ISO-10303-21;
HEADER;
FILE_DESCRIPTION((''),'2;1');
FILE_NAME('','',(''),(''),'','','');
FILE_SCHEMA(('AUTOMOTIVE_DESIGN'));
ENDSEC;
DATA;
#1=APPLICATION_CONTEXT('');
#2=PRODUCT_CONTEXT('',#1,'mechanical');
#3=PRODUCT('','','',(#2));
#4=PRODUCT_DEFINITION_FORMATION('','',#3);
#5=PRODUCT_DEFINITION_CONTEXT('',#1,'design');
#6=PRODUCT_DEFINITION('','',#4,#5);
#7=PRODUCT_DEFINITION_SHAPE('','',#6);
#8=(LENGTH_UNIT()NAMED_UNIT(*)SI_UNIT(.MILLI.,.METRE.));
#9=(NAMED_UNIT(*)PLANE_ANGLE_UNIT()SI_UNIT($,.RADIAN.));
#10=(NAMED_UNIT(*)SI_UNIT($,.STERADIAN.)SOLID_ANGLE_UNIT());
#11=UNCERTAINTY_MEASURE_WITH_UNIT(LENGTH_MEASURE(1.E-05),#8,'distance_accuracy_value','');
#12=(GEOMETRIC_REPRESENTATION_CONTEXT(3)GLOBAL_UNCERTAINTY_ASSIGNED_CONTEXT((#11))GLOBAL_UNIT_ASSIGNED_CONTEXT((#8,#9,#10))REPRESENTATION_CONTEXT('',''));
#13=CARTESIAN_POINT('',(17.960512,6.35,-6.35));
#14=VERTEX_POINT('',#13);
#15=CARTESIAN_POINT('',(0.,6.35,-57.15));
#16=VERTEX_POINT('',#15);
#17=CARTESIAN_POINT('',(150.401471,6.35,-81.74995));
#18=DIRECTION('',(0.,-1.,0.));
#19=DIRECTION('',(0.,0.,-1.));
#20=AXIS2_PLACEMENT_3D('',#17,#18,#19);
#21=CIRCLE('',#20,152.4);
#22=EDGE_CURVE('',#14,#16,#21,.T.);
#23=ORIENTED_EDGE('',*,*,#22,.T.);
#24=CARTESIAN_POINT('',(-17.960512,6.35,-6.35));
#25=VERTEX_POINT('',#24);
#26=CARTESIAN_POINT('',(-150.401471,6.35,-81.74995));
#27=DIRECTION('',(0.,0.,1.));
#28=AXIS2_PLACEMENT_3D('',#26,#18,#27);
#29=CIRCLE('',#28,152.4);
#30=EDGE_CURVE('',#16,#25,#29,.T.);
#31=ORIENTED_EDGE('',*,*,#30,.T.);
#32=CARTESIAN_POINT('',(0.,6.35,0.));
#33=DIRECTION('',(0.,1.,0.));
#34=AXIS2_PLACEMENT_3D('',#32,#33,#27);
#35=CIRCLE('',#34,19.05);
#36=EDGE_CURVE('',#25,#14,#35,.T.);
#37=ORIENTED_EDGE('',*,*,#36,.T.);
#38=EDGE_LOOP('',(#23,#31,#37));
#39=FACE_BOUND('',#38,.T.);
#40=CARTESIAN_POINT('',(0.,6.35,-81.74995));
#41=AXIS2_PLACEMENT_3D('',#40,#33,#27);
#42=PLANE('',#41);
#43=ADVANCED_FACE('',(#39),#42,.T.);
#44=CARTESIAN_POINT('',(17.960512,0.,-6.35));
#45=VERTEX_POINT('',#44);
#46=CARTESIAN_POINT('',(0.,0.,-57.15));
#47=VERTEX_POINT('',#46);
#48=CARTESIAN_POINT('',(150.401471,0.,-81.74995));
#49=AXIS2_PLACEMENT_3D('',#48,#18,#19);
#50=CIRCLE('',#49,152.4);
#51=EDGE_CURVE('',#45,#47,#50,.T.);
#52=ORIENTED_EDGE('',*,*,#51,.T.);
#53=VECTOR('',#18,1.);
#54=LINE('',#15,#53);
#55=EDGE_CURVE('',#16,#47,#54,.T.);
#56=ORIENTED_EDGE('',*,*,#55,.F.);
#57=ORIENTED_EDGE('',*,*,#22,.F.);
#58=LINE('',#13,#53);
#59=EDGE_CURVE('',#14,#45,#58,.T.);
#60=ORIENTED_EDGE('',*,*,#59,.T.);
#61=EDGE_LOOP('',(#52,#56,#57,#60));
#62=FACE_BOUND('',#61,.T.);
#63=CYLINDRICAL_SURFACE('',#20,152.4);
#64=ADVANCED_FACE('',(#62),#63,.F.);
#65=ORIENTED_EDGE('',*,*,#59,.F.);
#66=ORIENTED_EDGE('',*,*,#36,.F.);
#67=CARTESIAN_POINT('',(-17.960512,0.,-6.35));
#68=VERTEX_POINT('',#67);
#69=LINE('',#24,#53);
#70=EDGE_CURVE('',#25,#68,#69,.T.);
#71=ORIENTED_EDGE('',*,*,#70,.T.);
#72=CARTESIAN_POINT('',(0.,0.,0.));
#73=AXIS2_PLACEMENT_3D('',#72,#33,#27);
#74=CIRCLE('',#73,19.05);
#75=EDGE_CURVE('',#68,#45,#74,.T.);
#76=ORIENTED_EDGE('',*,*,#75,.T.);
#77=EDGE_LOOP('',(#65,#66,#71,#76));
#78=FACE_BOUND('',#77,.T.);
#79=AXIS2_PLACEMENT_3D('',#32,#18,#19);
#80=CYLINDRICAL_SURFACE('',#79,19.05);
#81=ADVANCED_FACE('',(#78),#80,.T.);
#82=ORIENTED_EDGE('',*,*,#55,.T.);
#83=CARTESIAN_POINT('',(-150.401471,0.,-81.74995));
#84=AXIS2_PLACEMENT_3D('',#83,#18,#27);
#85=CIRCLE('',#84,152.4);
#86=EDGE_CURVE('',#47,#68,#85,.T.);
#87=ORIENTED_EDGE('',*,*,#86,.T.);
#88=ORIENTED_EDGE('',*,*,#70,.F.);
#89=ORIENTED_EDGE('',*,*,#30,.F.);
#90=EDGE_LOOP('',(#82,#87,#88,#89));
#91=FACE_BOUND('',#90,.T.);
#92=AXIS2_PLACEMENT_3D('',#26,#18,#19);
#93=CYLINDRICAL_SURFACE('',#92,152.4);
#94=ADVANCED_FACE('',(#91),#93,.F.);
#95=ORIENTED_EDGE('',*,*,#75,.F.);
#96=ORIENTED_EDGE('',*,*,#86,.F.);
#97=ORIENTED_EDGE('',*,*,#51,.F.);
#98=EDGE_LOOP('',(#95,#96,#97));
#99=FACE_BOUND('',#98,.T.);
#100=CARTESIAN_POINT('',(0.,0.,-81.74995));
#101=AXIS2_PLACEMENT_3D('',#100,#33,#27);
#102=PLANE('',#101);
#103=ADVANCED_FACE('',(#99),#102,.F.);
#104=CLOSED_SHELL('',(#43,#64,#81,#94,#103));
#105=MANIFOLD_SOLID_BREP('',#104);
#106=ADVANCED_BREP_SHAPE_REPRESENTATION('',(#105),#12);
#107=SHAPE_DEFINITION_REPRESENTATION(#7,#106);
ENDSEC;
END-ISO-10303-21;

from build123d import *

# Parameters (mm, degrees)
BOSS_EXTRUDE1_DEPTH = 6.35


with BuildPart() as part:
    # Sketch1 → Boss-Extrude1 (new body)
    with BuildSketch(Plane(origin=(0, 0, 0), x_dir=(1, 0, 0), z_dir=(0, 1, 0))):
        with BuildLine():
            ThreePointArc((-17.960512242, 6.35), (0, -19.05), (17.960512242, 6.35))
            ThreePointArc((17.960512242, 6.35), (6.717373, 30.94995), (0, 57.15))
            ThreePointArc((0, 57.15), (-6.717373, 30.94995), (-17.960512242, 6.35))
        make_face()
    extrude(amount=BOSS_EXTRUDE1_DEPTH)


solid = part.part
